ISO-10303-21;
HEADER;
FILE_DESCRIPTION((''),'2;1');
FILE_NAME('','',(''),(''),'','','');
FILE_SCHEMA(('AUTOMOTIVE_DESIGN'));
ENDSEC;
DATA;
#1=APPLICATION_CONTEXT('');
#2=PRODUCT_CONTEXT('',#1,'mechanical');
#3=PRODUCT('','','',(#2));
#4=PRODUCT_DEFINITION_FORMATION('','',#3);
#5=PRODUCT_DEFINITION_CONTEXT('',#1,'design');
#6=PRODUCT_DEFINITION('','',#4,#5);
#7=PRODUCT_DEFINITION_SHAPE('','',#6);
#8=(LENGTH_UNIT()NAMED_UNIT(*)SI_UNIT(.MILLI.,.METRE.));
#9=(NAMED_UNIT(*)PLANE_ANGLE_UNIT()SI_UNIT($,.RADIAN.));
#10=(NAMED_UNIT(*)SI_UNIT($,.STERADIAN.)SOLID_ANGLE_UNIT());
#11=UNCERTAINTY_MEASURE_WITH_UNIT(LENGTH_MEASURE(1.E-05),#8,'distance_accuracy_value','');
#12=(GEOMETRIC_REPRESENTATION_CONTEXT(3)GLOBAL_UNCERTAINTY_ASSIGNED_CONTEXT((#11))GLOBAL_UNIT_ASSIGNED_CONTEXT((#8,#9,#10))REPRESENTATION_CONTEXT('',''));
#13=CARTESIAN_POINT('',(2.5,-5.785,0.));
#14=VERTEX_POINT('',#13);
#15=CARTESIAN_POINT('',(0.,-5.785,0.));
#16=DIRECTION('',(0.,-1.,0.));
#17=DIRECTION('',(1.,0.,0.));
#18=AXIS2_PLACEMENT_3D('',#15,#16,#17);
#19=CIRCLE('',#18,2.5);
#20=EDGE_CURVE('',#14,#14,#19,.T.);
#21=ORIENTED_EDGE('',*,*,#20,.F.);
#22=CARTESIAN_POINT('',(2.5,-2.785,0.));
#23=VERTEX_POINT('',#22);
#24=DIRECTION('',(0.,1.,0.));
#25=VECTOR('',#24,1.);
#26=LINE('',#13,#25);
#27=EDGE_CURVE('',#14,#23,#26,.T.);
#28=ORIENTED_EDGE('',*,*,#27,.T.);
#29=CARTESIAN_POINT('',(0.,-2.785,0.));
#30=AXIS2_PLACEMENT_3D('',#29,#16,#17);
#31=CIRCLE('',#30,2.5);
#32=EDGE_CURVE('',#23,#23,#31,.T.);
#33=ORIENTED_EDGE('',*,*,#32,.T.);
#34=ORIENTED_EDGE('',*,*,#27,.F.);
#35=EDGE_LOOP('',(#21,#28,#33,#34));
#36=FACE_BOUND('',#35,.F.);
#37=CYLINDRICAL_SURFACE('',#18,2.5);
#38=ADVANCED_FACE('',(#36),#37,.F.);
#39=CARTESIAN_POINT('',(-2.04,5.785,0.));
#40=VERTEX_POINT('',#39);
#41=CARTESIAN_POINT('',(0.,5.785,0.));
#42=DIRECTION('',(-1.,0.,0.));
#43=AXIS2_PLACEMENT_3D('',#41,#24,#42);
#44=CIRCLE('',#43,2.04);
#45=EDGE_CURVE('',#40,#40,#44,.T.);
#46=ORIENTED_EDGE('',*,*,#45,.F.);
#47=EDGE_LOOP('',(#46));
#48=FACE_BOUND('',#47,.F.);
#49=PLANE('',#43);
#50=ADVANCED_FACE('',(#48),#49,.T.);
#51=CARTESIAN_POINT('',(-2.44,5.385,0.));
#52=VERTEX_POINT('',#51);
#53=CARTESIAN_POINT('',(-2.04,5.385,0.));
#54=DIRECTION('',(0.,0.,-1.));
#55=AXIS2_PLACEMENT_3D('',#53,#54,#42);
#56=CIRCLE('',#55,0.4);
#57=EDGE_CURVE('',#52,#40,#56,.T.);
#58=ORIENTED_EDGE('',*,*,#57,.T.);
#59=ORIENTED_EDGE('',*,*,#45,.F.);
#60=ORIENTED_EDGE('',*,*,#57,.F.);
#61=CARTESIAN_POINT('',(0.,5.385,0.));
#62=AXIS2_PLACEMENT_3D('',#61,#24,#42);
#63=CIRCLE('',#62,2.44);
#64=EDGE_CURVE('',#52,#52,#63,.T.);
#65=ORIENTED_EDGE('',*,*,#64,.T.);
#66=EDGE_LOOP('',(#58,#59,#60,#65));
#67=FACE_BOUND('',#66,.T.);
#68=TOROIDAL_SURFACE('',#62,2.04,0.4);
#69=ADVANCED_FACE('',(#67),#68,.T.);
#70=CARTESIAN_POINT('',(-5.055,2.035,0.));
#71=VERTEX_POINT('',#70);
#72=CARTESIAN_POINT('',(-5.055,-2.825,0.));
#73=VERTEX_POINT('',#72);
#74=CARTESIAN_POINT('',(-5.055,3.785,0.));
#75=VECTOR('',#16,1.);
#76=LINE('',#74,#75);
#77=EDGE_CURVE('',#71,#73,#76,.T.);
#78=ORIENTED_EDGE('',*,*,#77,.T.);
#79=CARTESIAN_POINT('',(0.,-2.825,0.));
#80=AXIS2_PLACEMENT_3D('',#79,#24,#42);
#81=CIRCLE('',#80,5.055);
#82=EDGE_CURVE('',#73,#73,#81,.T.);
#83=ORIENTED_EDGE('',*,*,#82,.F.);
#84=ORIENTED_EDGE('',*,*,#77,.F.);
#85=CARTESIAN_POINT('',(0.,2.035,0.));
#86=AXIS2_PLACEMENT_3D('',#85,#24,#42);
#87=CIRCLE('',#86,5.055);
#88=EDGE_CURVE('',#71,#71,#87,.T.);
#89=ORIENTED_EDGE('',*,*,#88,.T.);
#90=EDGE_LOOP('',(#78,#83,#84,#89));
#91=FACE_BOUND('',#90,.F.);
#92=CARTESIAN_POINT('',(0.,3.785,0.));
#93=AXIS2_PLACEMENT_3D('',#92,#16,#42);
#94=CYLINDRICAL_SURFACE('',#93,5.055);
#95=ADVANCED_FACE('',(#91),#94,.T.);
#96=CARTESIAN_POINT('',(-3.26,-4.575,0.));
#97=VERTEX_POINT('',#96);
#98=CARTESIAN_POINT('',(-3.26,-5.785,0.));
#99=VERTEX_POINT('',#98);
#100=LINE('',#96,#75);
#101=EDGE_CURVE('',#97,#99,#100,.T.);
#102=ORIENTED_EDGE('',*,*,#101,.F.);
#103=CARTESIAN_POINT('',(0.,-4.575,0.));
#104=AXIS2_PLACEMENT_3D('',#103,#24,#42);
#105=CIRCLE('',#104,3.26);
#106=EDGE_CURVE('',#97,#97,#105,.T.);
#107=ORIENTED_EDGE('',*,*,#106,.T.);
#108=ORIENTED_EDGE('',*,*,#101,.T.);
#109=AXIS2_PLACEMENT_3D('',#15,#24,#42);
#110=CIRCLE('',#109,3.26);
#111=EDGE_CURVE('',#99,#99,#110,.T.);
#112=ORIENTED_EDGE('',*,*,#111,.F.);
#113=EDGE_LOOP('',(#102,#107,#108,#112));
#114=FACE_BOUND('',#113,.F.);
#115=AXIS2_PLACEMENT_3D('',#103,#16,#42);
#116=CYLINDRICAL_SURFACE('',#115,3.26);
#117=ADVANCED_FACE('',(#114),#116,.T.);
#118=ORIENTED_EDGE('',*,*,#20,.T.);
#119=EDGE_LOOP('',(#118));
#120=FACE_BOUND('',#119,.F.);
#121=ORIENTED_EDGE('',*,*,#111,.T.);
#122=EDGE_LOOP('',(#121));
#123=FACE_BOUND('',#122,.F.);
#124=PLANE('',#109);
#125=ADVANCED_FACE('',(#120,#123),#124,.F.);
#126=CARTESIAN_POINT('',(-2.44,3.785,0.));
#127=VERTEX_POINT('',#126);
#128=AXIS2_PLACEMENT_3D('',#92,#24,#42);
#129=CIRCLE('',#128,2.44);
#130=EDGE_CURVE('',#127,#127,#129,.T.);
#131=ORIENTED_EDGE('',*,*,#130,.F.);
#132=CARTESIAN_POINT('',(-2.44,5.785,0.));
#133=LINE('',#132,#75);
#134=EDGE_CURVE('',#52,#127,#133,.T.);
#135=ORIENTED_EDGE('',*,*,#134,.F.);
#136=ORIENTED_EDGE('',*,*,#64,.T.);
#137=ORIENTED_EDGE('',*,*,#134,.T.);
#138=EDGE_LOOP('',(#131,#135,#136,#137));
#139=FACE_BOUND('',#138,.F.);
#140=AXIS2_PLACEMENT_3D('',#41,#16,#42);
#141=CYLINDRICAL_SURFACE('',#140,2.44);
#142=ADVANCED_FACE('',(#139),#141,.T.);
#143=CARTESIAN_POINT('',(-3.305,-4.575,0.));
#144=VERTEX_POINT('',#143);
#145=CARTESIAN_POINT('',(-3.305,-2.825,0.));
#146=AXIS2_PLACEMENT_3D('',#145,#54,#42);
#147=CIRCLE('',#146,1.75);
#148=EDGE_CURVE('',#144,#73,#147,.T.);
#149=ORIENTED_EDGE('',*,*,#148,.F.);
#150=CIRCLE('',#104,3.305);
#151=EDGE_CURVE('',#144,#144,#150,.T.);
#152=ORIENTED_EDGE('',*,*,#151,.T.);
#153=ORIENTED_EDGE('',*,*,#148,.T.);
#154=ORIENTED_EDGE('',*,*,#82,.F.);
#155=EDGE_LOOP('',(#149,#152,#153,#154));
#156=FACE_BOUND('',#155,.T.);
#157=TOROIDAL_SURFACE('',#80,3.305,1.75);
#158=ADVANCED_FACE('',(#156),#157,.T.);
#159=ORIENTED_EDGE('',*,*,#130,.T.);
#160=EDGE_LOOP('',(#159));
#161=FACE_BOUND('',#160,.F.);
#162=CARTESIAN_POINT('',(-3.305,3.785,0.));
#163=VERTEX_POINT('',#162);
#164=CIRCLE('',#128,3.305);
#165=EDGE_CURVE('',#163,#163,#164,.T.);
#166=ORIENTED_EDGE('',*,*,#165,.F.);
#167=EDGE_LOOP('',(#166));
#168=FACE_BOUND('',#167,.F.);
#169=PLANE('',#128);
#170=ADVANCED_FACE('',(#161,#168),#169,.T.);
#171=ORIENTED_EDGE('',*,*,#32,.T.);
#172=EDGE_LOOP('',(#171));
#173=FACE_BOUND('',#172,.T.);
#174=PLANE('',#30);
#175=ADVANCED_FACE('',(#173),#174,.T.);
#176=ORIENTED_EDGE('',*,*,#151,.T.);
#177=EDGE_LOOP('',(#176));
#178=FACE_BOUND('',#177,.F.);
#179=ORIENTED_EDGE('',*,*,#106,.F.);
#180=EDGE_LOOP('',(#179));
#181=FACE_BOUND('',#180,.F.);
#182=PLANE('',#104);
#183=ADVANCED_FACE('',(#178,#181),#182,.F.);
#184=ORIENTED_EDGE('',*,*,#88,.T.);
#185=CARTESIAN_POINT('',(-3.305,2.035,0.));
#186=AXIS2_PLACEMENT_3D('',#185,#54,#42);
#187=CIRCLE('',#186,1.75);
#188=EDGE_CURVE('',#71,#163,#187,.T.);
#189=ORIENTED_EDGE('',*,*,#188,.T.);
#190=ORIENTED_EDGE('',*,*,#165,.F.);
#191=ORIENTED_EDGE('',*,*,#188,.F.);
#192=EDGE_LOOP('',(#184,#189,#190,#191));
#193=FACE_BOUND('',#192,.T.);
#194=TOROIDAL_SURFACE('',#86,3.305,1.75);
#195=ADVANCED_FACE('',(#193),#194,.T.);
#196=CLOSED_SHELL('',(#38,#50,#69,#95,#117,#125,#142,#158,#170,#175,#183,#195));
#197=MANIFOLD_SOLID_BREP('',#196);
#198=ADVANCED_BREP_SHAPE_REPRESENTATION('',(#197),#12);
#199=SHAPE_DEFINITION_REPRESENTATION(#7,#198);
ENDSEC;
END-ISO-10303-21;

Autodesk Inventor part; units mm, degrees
ref_plane "YZ Plane" through (0, 0, 0) normal (1, 0, 0) x (0, 1, 0)
ref_plane "XZ Plane" through (0, 0, 0) normal (0, 1, 0) x (-1, 0, 0)
ref_plane "XY Plane" through (0, 0, 0) normal (0, 0, 1) x (1, 0, 0)
sketch "Sketch1" plane through (0, 0, 0) normal (0, 0, 1) x (1, 0, 0)
  line L0 (0, 5.785) -> (-2.44, 5.785)
  line L1 (-2.44, 5.785) -> (-2.44, 3.785)
  line L2 (-2.44, 3.785) -> (-5.055, 3.785)
  line L3 (-5.055, 3.785) -> (-5.055, -4.575)
  line L4 (-5.055, -4.575) -> (-3.26, -4.575)
  line L5 (-3.26, -4.575) -> (-3.26, -5.785)
  line L6 (-3.26, -5.785) -> (0, -5.785)
  line L7 (0, -5.785) -> (0, 5.785)
  point P0 (0, 0)
  point P1 (0, 0)
  dimension "d0" = 11.57
  dimension "d1" = 10.11
  dimension "d2" = 4.88
  dimension "d3" = 6.52
  dimension "d4" = 2
  dimension "d5" = 1.21
revolve "Revolution1" add sketch "Sketch1" angle 360 about axis through (0, -5.785, 0) along (0, 1, 0)
fillet "Fillet1" radius 1.75 2 edges at (5.055, 3.785, 0) (5.055, -4.575, 0)
fillet "Fillet2" radius 0.4 1 edges at (2.44, 5.785, 0)
sketch "Sketch2" plane through (0, -5.785, 0) normal (0, -1, 0) x (1, 0, 0)
  circle A0 centre (0, 0) radius 3.26 projected
  circle A1 centre (0, 0) radius 2.5
  dimension "d9" = 5
extrude "Extrusion1" cut sketch "Sketch2" against normal blind 3 contours A1
properties part number "HEAD" material "250"
